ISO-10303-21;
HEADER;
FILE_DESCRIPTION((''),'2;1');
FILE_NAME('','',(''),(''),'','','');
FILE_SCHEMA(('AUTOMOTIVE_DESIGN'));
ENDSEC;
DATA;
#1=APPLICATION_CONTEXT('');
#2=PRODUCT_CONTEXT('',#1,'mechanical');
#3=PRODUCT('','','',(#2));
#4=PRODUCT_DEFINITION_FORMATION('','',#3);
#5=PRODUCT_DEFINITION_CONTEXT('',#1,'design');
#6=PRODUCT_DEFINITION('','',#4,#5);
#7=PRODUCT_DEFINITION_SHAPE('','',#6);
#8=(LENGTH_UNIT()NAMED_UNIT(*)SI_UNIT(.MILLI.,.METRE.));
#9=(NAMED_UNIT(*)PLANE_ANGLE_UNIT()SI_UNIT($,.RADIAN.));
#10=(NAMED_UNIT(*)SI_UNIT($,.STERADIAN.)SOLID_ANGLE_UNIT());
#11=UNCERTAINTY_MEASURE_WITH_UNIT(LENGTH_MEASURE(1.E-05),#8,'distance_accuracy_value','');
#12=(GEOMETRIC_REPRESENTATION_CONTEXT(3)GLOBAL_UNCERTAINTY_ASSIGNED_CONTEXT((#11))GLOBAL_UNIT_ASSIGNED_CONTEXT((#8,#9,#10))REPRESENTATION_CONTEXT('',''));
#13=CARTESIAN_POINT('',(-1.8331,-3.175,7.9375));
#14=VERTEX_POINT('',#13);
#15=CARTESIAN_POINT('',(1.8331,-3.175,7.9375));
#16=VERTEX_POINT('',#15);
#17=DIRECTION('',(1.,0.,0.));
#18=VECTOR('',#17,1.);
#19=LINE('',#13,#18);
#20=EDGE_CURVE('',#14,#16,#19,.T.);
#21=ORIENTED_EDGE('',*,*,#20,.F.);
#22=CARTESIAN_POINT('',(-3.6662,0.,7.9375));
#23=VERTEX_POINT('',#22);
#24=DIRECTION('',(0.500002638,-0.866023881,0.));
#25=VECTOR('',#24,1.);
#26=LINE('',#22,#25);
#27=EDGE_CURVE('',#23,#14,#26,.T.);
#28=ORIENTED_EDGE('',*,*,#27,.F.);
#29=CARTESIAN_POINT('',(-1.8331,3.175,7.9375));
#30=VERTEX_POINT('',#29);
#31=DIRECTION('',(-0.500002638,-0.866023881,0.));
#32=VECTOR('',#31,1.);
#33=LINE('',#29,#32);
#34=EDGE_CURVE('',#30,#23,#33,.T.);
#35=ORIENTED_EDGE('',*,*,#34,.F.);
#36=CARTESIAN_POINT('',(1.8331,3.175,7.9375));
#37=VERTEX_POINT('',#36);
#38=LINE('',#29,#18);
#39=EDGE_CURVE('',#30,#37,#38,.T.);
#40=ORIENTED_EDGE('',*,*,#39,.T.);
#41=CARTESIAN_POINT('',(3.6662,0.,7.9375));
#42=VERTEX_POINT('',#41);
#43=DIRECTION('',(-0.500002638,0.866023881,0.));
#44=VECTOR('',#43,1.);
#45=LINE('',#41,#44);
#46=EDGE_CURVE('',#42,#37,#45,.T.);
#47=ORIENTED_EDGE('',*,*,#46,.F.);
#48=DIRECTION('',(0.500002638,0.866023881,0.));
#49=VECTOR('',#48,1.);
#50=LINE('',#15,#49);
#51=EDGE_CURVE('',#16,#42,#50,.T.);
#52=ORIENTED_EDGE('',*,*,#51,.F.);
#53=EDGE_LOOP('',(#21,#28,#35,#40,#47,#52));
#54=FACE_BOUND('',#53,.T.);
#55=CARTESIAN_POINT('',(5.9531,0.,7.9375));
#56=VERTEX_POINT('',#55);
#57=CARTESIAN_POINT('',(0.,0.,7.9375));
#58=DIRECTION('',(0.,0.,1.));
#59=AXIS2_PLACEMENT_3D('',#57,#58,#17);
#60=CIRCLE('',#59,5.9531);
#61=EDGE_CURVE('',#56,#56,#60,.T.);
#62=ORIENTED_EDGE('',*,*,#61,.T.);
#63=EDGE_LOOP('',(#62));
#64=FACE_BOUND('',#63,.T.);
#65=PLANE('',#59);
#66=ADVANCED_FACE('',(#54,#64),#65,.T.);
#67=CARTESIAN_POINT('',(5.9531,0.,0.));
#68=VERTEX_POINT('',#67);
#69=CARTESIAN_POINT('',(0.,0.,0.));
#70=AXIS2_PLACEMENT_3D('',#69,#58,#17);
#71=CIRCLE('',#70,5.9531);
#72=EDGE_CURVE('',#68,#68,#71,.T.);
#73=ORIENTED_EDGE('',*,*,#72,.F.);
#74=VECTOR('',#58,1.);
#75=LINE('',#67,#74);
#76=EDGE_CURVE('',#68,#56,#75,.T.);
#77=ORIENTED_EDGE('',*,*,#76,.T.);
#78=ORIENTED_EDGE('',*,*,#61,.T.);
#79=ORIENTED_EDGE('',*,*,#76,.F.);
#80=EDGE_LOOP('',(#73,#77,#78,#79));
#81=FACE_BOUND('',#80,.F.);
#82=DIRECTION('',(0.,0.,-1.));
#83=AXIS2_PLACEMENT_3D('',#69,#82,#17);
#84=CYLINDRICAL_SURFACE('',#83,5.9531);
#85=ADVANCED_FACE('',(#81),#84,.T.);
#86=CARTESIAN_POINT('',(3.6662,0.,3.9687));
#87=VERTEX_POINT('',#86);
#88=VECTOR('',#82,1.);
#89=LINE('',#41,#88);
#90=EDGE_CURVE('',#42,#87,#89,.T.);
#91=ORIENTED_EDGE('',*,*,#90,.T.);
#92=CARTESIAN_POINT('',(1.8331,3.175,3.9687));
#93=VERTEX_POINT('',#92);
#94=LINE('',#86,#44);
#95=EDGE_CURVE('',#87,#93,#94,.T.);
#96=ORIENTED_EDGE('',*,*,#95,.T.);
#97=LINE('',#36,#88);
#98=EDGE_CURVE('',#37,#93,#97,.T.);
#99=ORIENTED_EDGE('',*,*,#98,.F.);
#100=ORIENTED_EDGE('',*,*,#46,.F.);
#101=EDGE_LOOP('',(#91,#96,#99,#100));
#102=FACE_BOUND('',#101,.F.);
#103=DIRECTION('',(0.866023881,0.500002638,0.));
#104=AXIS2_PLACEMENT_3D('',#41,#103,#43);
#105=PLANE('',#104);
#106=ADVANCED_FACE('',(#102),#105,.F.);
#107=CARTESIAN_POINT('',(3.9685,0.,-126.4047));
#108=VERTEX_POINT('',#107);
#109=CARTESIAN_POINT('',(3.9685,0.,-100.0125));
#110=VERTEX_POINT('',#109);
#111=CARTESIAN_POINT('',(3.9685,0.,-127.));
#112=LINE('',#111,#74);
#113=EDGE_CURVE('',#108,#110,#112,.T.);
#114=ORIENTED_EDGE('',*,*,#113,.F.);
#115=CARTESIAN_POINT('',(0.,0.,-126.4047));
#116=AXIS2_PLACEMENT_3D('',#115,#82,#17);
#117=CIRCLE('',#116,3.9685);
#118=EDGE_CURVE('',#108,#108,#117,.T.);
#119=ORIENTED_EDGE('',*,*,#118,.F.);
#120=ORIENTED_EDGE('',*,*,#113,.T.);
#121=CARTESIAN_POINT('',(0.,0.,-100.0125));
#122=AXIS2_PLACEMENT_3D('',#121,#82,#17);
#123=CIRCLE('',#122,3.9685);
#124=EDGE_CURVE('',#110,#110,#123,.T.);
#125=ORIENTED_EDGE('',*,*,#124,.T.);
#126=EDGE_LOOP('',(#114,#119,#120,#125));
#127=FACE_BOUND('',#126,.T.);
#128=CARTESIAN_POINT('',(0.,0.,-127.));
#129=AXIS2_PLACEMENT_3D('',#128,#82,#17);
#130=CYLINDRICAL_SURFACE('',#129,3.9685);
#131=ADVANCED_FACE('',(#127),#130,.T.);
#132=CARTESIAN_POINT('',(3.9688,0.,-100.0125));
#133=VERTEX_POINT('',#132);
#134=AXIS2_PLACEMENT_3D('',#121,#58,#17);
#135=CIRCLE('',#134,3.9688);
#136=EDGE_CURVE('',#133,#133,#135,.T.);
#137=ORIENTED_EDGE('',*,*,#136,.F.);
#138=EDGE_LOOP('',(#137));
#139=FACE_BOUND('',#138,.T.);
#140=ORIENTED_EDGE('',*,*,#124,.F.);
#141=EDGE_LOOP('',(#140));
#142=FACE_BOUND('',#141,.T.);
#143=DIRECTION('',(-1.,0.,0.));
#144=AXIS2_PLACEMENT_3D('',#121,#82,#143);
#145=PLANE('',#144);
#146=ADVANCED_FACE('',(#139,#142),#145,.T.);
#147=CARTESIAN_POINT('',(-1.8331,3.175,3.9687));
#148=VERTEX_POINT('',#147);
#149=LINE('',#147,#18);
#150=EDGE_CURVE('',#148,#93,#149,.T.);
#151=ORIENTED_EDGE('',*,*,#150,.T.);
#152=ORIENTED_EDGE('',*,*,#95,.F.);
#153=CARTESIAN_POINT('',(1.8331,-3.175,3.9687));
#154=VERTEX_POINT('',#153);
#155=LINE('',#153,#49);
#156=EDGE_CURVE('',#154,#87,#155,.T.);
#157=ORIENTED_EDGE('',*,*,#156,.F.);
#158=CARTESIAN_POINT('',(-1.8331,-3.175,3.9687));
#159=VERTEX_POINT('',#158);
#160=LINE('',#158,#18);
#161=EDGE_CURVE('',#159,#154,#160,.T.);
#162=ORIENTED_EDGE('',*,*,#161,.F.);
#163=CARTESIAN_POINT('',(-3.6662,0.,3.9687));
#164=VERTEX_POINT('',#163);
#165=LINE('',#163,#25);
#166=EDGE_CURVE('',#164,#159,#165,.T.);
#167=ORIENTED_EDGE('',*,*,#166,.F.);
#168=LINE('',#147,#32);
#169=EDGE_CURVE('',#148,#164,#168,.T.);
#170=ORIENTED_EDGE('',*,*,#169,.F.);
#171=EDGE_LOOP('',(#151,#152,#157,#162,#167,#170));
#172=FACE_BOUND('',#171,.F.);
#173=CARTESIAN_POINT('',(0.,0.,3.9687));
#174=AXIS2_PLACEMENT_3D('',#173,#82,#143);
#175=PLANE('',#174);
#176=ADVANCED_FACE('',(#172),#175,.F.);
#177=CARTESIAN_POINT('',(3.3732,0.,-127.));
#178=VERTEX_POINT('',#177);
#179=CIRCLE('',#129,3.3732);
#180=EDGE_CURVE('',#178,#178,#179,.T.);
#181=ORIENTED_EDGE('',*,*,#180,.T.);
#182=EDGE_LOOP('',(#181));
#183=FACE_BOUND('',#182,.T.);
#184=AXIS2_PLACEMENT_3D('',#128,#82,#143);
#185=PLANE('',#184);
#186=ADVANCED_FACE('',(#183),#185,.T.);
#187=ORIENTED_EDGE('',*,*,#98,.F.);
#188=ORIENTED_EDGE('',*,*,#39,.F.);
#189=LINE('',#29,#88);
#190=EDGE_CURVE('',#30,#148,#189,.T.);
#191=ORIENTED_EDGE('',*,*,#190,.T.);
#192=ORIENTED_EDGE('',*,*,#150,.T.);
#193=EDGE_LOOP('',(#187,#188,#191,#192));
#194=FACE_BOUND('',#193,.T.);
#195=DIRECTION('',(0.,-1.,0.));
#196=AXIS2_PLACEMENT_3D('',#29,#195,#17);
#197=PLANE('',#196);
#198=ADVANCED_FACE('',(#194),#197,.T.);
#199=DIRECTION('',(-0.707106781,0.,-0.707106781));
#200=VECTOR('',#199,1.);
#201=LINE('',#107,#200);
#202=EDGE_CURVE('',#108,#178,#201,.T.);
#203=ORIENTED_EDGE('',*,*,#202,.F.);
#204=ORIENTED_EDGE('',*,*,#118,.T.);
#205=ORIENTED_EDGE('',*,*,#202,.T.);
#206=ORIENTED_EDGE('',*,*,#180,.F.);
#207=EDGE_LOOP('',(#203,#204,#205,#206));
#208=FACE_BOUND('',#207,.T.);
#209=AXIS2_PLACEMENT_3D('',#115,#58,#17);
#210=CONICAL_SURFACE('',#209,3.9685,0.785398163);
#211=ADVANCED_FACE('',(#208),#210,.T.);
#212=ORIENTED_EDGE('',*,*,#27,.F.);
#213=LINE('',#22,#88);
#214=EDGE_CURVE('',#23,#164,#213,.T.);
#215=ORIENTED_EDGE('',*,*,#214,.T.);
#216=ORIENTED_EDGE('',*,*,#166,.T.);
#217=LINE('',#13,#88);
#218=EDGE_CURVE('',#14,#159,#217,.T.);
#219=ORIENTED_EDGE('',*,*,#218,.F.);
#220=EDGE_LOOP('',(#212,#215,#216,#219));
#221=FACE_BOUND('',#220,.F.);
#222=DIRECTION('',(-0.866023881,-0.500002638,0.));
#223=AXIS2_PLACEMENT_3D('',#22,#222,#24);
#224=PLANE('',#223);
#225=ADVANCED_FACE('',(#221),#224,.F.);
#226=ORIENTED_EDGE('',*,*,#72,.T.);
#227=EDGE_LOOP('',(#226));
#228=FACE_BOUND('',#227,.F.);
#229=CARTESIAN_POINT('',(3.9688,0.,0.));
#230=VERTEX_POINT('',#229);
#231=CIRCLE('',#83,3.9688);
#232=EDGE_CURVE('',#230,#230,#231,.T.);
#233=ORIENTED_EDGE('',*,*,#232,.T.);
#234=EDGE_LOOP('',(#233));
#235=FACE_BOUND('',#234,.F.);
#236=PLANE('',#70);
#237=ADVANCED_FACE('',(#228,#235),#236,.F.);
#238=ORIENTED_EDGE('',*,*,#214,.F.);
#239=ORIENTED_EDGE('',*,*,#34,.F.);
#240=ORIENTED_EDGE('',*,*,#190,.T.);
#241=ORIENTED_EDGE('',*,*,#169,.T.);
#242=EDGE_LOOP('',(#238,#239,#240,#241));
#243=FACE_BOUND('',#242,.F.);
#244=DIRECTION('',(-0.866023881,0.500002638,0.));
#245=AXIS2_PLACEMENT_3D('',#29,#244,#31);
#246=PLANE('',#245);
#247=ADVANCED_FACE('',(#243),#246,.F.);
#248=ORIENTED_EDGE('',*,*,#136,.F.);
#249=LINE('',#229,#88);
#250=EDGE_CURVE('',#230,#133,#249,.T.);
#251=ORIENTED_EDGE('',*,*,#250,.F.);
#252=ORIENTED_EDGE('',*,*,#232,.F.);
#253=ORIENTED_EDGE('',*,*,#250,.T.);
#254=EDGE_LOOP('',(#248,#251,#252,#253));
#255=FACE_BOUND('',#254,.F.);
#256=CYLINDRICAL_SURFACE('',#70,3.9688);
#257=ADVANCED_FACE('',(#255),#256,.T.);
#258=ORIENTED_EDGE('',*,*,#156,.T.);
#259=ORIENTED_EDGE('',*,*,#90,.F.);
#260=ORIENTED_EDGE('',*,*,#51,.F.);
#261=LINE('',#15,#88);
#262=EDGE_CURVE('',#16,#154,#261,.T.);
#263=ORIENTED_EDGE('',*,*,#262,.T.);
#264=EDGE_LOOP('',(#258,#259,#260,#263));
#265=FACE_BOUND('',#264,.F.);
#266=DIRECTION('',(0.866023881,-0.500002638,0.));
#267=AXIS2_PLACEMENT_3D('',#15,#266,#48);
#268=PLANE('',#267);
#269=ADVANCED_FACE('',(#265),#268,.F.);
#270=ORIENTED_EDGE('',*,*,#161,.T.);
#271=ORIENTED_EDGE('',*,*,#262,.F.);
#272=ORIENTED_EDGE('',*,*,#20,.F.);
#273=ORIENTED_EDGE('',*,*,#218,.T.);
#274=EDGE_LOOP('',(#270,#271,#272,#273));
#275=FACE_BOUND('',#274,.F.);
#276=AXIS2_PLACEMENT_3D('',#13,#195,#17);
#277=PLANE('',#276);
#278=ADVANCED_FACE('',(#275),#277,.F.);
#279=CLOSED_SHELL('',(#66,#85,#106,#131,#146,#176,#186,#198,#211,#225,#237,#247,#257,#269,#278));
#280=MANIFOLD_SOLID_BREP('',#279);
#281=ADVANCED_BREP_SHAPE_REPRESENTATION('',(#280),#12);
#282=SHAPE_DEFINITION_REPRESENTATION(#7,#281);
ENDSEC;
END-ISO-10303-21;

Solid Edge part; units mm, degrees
sketch "Sketch1" plane through (0, 0, 0) normal (0, 0, 1) x (1, 0, 0)
  circle A0 centre (0, 0) radius 5.9531
  dimension "D1" = 11.9062
extrude "Protrusion1" add sketch "Sketch1" along normal blind 7.9375
sketch "Sketch2" plane through (0, 0, 0) normal (0, 0, -1) x (1, 0, 0)
  circle A0 centre (0, 0) radius 3.9688
extrude "Protrusion2" add sketch "Sketch2" along normal blind 127
sketch "Sketch3" plane through (0, 0, -127) normal (0, 0, -1) x (1, 0, 0)
  circle A0 centre (0, 0) radius 3.9685
extrude "Cutout1" cut sketch "Sketch3" against normal blind 26.9875 flip side to cut
chamfer "Chamfer_1" distance 0.5953 angle 45 1 edges at (-3.9685, 0, -127)
sketch "Sketch4" plane through (0, 0, 7.9375) normal (0, 0, 1) x (1, 0, 0)
  line L0 (-1.8331, 3.175) -> (1.8331, 3.175)
  line L1 (3.6662, 0) -> (1.8331, 3.175)
  line L2 (1.8331, -3.175) -> (3.6662, 0)
  line L3 (-1.8331, -3.175) -> (1.8331, -3.175)
  line L4 (-3.6662, 0) -> (-1.8331, -3.175)
  line L5 (-1.8331, 3.175) -> (-3.6662, 0)
  dimension "D1" = 6.35
extrude "Cutout2" cut sketch "Sketch4" against normal blind 3.9688
properties part number "24100958"
